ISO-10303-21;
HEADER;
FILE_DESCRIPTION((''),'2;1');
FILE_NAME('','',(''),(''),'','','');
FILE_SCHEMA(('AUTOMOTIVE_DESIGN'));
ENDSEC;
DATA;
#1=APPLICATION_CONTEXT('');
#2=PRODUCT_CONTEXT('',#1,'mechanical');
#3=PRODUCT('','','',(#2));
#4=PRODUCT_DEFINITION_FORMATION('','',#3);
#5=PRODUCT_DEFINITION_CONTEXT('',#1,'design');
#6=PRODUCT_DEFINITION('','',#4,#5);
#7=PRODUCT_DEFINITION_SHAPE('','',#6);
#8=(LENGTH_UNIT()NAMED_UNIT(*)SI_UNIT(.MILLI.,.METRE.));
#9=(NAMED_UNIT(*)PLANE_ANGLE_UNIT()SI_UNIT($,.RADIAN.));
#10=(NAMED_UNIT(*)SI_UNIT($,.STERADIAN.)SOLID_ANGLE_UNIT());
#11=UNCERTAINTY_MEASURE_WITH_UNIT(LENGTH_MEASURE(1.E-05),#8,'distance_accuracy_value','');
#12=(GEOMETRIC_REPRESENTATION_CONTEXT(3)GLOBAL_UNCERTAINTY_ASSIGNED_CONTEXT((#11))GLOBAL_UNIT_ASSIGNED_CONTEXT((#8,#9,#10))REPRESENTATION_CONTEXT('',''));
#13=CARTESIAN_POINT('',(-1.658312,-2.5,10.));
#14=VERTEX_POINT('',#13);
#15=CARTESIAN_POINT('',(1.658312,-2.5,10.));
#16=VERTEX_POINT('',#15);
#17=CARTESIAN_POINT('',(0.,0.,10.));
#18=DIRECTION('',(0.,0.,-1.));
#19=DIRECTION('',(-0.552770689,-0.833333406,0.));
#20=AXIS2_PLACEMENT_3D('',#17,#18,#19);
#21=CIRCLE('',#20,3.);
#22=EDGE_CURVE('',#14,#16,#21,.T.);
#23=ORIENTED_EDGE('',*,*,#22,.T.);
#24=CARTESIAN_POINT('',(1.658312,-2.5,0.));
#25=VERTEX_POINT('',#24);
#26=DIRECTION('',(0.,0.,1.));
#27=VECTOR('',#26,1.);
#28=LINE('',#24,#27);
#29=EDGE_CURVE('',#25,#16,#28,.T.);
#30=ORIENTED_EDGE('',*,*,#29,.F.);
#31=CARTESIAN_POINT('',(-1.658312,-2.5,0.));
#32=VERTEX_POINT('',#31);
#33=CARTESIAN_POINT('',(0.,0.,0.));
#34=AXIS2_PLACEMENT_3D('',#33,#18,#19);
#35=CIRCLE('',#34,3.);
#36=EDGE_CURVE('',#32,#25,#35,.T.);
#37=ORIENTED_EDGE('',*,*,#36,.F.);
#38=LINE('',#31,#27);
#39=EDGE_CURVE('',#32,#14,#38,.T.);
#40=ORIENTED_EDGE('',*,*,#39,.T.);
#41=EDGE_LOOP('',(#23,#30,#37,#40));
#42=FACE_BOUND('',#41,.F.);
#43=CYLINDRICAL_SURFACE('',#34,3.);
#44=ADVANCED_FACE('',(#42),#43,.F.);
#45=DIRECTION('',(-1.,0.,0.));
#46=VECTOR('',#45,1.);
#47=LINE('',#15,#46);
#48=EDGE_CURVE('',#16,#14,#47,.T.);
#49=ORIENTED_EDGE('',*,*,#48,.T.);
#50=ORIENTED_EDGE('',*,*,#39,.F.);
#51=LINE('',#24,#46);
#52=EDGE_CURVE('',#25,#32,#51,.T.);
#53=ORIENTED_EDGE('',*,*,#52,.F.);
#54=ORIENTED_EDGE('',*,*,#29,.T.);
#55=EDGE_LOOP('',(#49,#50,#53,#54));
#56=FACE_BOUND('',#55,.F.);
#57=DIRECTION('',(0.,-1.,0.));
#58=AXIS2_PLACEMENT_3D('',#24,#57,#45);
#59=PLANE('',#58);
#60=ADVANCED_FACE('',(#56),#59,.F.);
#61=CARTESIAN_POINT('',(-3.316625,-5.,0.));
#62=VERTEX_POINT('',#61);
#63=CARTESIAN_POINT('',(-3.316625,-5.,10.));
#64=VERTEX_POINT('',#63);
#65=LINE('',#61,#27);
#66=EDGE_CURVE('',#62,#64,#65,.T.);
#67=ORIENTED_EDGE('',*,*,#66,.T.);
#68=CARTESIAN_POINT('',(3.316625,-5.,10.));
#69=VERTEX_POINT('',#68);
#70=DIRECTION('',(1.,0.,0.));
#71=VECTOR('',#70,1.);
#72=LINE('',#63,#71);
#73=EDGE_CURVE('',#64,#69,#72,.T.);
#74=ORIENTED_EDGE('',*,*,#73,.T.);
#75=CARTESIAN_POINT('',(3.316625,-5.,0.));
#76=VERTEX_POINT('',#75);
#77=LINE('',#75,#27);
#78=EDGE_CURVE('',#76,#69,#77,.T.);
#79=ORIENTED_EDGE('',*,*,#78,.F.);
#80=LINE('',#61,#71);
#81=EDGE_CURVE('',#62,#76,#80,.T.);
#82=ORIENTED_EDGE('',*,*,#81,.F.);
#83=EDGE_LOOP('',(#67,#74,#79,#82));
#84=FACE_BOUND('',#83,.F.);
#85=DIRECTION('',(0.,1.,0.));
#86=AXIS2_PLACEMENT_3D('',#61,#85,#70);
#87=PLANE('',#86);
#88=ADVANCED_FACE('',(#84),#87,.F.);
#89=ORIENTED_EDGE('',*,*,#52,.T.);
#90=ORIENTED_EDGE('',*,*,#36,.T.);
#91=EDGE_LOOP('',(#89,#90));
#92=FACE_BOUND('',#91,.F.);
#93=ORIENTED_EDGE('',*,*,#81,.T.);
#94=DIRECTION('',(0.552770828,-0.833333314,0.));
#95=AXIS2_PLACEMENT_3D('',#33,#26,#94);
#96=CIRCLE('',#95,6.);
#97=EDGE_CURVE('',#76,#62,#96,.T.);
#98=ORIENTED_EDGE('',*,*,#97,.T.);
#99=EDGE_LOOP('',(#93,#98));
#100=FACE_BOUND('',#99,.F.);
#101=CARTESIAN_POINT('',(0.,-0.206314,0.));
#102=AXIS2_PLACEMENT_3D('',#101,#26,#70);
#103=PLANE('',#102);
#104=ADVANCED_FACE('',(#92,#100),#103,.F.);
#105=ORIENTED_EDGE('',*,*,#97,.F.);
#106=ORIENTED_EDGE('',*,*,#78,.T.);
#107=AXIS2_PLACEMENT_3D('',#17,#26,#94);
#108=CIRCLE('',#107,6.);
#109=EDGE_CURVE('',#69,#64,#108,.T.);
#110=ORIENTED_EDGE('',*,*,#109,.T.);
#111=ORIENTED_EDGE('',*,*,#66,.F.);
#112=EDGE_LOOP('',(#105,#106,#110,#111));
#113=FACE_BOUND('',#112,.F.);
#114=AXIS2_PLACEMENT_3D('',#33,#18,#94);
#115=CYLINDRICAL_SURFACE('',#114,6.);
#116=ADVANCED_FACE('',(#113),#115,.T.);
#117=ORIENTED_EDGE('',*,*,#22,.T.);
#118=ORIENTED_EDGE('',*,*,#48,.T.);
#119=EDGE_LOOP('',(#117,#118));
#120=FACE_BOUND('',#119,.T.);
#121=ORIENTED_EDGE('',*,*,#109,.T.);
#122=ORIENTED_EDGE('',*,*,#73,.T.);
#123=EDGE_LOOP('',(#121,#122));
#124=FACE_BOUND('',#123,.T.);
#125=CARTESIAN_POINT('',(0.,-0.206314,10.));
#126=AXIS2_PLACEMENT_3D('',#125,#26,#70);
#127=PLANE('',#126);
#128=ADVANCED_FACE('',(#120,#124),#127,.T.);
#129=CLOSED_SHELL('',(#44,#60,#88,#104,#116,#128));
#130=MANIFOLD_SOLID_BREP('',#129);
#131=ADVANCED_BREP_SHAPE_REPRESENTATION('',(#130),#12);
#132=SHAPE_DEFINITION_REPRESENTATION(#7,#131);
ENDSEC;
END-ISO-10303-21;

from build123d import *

# Parameters (mm, degrees)
F1_DEPTH = 10


with BuildPart() as f1:
    # F0 (on Top) → F1 (new body)
    with BuildSketch(Plane.XY):
        with BuildLine():
            ThreePointArc((3.316625, -5), (0, 6), (-3.316625, -5))
            Line((-3.316625, -5), (3.316625, -5))
        make_face()
        with BuildLine():
            Line((1.658312, -2.5), (0, -2.5))
            Line((0, -2.5), (-1.658312, -2.5))
            ThreePointArc((-1.658312, -2.5), (0, 3), (1.658312, -2.5))
        make_face(mode=Mode.SUBTRACT)
    extrude(amount=F1_DEPTH)


solid = f1.part
